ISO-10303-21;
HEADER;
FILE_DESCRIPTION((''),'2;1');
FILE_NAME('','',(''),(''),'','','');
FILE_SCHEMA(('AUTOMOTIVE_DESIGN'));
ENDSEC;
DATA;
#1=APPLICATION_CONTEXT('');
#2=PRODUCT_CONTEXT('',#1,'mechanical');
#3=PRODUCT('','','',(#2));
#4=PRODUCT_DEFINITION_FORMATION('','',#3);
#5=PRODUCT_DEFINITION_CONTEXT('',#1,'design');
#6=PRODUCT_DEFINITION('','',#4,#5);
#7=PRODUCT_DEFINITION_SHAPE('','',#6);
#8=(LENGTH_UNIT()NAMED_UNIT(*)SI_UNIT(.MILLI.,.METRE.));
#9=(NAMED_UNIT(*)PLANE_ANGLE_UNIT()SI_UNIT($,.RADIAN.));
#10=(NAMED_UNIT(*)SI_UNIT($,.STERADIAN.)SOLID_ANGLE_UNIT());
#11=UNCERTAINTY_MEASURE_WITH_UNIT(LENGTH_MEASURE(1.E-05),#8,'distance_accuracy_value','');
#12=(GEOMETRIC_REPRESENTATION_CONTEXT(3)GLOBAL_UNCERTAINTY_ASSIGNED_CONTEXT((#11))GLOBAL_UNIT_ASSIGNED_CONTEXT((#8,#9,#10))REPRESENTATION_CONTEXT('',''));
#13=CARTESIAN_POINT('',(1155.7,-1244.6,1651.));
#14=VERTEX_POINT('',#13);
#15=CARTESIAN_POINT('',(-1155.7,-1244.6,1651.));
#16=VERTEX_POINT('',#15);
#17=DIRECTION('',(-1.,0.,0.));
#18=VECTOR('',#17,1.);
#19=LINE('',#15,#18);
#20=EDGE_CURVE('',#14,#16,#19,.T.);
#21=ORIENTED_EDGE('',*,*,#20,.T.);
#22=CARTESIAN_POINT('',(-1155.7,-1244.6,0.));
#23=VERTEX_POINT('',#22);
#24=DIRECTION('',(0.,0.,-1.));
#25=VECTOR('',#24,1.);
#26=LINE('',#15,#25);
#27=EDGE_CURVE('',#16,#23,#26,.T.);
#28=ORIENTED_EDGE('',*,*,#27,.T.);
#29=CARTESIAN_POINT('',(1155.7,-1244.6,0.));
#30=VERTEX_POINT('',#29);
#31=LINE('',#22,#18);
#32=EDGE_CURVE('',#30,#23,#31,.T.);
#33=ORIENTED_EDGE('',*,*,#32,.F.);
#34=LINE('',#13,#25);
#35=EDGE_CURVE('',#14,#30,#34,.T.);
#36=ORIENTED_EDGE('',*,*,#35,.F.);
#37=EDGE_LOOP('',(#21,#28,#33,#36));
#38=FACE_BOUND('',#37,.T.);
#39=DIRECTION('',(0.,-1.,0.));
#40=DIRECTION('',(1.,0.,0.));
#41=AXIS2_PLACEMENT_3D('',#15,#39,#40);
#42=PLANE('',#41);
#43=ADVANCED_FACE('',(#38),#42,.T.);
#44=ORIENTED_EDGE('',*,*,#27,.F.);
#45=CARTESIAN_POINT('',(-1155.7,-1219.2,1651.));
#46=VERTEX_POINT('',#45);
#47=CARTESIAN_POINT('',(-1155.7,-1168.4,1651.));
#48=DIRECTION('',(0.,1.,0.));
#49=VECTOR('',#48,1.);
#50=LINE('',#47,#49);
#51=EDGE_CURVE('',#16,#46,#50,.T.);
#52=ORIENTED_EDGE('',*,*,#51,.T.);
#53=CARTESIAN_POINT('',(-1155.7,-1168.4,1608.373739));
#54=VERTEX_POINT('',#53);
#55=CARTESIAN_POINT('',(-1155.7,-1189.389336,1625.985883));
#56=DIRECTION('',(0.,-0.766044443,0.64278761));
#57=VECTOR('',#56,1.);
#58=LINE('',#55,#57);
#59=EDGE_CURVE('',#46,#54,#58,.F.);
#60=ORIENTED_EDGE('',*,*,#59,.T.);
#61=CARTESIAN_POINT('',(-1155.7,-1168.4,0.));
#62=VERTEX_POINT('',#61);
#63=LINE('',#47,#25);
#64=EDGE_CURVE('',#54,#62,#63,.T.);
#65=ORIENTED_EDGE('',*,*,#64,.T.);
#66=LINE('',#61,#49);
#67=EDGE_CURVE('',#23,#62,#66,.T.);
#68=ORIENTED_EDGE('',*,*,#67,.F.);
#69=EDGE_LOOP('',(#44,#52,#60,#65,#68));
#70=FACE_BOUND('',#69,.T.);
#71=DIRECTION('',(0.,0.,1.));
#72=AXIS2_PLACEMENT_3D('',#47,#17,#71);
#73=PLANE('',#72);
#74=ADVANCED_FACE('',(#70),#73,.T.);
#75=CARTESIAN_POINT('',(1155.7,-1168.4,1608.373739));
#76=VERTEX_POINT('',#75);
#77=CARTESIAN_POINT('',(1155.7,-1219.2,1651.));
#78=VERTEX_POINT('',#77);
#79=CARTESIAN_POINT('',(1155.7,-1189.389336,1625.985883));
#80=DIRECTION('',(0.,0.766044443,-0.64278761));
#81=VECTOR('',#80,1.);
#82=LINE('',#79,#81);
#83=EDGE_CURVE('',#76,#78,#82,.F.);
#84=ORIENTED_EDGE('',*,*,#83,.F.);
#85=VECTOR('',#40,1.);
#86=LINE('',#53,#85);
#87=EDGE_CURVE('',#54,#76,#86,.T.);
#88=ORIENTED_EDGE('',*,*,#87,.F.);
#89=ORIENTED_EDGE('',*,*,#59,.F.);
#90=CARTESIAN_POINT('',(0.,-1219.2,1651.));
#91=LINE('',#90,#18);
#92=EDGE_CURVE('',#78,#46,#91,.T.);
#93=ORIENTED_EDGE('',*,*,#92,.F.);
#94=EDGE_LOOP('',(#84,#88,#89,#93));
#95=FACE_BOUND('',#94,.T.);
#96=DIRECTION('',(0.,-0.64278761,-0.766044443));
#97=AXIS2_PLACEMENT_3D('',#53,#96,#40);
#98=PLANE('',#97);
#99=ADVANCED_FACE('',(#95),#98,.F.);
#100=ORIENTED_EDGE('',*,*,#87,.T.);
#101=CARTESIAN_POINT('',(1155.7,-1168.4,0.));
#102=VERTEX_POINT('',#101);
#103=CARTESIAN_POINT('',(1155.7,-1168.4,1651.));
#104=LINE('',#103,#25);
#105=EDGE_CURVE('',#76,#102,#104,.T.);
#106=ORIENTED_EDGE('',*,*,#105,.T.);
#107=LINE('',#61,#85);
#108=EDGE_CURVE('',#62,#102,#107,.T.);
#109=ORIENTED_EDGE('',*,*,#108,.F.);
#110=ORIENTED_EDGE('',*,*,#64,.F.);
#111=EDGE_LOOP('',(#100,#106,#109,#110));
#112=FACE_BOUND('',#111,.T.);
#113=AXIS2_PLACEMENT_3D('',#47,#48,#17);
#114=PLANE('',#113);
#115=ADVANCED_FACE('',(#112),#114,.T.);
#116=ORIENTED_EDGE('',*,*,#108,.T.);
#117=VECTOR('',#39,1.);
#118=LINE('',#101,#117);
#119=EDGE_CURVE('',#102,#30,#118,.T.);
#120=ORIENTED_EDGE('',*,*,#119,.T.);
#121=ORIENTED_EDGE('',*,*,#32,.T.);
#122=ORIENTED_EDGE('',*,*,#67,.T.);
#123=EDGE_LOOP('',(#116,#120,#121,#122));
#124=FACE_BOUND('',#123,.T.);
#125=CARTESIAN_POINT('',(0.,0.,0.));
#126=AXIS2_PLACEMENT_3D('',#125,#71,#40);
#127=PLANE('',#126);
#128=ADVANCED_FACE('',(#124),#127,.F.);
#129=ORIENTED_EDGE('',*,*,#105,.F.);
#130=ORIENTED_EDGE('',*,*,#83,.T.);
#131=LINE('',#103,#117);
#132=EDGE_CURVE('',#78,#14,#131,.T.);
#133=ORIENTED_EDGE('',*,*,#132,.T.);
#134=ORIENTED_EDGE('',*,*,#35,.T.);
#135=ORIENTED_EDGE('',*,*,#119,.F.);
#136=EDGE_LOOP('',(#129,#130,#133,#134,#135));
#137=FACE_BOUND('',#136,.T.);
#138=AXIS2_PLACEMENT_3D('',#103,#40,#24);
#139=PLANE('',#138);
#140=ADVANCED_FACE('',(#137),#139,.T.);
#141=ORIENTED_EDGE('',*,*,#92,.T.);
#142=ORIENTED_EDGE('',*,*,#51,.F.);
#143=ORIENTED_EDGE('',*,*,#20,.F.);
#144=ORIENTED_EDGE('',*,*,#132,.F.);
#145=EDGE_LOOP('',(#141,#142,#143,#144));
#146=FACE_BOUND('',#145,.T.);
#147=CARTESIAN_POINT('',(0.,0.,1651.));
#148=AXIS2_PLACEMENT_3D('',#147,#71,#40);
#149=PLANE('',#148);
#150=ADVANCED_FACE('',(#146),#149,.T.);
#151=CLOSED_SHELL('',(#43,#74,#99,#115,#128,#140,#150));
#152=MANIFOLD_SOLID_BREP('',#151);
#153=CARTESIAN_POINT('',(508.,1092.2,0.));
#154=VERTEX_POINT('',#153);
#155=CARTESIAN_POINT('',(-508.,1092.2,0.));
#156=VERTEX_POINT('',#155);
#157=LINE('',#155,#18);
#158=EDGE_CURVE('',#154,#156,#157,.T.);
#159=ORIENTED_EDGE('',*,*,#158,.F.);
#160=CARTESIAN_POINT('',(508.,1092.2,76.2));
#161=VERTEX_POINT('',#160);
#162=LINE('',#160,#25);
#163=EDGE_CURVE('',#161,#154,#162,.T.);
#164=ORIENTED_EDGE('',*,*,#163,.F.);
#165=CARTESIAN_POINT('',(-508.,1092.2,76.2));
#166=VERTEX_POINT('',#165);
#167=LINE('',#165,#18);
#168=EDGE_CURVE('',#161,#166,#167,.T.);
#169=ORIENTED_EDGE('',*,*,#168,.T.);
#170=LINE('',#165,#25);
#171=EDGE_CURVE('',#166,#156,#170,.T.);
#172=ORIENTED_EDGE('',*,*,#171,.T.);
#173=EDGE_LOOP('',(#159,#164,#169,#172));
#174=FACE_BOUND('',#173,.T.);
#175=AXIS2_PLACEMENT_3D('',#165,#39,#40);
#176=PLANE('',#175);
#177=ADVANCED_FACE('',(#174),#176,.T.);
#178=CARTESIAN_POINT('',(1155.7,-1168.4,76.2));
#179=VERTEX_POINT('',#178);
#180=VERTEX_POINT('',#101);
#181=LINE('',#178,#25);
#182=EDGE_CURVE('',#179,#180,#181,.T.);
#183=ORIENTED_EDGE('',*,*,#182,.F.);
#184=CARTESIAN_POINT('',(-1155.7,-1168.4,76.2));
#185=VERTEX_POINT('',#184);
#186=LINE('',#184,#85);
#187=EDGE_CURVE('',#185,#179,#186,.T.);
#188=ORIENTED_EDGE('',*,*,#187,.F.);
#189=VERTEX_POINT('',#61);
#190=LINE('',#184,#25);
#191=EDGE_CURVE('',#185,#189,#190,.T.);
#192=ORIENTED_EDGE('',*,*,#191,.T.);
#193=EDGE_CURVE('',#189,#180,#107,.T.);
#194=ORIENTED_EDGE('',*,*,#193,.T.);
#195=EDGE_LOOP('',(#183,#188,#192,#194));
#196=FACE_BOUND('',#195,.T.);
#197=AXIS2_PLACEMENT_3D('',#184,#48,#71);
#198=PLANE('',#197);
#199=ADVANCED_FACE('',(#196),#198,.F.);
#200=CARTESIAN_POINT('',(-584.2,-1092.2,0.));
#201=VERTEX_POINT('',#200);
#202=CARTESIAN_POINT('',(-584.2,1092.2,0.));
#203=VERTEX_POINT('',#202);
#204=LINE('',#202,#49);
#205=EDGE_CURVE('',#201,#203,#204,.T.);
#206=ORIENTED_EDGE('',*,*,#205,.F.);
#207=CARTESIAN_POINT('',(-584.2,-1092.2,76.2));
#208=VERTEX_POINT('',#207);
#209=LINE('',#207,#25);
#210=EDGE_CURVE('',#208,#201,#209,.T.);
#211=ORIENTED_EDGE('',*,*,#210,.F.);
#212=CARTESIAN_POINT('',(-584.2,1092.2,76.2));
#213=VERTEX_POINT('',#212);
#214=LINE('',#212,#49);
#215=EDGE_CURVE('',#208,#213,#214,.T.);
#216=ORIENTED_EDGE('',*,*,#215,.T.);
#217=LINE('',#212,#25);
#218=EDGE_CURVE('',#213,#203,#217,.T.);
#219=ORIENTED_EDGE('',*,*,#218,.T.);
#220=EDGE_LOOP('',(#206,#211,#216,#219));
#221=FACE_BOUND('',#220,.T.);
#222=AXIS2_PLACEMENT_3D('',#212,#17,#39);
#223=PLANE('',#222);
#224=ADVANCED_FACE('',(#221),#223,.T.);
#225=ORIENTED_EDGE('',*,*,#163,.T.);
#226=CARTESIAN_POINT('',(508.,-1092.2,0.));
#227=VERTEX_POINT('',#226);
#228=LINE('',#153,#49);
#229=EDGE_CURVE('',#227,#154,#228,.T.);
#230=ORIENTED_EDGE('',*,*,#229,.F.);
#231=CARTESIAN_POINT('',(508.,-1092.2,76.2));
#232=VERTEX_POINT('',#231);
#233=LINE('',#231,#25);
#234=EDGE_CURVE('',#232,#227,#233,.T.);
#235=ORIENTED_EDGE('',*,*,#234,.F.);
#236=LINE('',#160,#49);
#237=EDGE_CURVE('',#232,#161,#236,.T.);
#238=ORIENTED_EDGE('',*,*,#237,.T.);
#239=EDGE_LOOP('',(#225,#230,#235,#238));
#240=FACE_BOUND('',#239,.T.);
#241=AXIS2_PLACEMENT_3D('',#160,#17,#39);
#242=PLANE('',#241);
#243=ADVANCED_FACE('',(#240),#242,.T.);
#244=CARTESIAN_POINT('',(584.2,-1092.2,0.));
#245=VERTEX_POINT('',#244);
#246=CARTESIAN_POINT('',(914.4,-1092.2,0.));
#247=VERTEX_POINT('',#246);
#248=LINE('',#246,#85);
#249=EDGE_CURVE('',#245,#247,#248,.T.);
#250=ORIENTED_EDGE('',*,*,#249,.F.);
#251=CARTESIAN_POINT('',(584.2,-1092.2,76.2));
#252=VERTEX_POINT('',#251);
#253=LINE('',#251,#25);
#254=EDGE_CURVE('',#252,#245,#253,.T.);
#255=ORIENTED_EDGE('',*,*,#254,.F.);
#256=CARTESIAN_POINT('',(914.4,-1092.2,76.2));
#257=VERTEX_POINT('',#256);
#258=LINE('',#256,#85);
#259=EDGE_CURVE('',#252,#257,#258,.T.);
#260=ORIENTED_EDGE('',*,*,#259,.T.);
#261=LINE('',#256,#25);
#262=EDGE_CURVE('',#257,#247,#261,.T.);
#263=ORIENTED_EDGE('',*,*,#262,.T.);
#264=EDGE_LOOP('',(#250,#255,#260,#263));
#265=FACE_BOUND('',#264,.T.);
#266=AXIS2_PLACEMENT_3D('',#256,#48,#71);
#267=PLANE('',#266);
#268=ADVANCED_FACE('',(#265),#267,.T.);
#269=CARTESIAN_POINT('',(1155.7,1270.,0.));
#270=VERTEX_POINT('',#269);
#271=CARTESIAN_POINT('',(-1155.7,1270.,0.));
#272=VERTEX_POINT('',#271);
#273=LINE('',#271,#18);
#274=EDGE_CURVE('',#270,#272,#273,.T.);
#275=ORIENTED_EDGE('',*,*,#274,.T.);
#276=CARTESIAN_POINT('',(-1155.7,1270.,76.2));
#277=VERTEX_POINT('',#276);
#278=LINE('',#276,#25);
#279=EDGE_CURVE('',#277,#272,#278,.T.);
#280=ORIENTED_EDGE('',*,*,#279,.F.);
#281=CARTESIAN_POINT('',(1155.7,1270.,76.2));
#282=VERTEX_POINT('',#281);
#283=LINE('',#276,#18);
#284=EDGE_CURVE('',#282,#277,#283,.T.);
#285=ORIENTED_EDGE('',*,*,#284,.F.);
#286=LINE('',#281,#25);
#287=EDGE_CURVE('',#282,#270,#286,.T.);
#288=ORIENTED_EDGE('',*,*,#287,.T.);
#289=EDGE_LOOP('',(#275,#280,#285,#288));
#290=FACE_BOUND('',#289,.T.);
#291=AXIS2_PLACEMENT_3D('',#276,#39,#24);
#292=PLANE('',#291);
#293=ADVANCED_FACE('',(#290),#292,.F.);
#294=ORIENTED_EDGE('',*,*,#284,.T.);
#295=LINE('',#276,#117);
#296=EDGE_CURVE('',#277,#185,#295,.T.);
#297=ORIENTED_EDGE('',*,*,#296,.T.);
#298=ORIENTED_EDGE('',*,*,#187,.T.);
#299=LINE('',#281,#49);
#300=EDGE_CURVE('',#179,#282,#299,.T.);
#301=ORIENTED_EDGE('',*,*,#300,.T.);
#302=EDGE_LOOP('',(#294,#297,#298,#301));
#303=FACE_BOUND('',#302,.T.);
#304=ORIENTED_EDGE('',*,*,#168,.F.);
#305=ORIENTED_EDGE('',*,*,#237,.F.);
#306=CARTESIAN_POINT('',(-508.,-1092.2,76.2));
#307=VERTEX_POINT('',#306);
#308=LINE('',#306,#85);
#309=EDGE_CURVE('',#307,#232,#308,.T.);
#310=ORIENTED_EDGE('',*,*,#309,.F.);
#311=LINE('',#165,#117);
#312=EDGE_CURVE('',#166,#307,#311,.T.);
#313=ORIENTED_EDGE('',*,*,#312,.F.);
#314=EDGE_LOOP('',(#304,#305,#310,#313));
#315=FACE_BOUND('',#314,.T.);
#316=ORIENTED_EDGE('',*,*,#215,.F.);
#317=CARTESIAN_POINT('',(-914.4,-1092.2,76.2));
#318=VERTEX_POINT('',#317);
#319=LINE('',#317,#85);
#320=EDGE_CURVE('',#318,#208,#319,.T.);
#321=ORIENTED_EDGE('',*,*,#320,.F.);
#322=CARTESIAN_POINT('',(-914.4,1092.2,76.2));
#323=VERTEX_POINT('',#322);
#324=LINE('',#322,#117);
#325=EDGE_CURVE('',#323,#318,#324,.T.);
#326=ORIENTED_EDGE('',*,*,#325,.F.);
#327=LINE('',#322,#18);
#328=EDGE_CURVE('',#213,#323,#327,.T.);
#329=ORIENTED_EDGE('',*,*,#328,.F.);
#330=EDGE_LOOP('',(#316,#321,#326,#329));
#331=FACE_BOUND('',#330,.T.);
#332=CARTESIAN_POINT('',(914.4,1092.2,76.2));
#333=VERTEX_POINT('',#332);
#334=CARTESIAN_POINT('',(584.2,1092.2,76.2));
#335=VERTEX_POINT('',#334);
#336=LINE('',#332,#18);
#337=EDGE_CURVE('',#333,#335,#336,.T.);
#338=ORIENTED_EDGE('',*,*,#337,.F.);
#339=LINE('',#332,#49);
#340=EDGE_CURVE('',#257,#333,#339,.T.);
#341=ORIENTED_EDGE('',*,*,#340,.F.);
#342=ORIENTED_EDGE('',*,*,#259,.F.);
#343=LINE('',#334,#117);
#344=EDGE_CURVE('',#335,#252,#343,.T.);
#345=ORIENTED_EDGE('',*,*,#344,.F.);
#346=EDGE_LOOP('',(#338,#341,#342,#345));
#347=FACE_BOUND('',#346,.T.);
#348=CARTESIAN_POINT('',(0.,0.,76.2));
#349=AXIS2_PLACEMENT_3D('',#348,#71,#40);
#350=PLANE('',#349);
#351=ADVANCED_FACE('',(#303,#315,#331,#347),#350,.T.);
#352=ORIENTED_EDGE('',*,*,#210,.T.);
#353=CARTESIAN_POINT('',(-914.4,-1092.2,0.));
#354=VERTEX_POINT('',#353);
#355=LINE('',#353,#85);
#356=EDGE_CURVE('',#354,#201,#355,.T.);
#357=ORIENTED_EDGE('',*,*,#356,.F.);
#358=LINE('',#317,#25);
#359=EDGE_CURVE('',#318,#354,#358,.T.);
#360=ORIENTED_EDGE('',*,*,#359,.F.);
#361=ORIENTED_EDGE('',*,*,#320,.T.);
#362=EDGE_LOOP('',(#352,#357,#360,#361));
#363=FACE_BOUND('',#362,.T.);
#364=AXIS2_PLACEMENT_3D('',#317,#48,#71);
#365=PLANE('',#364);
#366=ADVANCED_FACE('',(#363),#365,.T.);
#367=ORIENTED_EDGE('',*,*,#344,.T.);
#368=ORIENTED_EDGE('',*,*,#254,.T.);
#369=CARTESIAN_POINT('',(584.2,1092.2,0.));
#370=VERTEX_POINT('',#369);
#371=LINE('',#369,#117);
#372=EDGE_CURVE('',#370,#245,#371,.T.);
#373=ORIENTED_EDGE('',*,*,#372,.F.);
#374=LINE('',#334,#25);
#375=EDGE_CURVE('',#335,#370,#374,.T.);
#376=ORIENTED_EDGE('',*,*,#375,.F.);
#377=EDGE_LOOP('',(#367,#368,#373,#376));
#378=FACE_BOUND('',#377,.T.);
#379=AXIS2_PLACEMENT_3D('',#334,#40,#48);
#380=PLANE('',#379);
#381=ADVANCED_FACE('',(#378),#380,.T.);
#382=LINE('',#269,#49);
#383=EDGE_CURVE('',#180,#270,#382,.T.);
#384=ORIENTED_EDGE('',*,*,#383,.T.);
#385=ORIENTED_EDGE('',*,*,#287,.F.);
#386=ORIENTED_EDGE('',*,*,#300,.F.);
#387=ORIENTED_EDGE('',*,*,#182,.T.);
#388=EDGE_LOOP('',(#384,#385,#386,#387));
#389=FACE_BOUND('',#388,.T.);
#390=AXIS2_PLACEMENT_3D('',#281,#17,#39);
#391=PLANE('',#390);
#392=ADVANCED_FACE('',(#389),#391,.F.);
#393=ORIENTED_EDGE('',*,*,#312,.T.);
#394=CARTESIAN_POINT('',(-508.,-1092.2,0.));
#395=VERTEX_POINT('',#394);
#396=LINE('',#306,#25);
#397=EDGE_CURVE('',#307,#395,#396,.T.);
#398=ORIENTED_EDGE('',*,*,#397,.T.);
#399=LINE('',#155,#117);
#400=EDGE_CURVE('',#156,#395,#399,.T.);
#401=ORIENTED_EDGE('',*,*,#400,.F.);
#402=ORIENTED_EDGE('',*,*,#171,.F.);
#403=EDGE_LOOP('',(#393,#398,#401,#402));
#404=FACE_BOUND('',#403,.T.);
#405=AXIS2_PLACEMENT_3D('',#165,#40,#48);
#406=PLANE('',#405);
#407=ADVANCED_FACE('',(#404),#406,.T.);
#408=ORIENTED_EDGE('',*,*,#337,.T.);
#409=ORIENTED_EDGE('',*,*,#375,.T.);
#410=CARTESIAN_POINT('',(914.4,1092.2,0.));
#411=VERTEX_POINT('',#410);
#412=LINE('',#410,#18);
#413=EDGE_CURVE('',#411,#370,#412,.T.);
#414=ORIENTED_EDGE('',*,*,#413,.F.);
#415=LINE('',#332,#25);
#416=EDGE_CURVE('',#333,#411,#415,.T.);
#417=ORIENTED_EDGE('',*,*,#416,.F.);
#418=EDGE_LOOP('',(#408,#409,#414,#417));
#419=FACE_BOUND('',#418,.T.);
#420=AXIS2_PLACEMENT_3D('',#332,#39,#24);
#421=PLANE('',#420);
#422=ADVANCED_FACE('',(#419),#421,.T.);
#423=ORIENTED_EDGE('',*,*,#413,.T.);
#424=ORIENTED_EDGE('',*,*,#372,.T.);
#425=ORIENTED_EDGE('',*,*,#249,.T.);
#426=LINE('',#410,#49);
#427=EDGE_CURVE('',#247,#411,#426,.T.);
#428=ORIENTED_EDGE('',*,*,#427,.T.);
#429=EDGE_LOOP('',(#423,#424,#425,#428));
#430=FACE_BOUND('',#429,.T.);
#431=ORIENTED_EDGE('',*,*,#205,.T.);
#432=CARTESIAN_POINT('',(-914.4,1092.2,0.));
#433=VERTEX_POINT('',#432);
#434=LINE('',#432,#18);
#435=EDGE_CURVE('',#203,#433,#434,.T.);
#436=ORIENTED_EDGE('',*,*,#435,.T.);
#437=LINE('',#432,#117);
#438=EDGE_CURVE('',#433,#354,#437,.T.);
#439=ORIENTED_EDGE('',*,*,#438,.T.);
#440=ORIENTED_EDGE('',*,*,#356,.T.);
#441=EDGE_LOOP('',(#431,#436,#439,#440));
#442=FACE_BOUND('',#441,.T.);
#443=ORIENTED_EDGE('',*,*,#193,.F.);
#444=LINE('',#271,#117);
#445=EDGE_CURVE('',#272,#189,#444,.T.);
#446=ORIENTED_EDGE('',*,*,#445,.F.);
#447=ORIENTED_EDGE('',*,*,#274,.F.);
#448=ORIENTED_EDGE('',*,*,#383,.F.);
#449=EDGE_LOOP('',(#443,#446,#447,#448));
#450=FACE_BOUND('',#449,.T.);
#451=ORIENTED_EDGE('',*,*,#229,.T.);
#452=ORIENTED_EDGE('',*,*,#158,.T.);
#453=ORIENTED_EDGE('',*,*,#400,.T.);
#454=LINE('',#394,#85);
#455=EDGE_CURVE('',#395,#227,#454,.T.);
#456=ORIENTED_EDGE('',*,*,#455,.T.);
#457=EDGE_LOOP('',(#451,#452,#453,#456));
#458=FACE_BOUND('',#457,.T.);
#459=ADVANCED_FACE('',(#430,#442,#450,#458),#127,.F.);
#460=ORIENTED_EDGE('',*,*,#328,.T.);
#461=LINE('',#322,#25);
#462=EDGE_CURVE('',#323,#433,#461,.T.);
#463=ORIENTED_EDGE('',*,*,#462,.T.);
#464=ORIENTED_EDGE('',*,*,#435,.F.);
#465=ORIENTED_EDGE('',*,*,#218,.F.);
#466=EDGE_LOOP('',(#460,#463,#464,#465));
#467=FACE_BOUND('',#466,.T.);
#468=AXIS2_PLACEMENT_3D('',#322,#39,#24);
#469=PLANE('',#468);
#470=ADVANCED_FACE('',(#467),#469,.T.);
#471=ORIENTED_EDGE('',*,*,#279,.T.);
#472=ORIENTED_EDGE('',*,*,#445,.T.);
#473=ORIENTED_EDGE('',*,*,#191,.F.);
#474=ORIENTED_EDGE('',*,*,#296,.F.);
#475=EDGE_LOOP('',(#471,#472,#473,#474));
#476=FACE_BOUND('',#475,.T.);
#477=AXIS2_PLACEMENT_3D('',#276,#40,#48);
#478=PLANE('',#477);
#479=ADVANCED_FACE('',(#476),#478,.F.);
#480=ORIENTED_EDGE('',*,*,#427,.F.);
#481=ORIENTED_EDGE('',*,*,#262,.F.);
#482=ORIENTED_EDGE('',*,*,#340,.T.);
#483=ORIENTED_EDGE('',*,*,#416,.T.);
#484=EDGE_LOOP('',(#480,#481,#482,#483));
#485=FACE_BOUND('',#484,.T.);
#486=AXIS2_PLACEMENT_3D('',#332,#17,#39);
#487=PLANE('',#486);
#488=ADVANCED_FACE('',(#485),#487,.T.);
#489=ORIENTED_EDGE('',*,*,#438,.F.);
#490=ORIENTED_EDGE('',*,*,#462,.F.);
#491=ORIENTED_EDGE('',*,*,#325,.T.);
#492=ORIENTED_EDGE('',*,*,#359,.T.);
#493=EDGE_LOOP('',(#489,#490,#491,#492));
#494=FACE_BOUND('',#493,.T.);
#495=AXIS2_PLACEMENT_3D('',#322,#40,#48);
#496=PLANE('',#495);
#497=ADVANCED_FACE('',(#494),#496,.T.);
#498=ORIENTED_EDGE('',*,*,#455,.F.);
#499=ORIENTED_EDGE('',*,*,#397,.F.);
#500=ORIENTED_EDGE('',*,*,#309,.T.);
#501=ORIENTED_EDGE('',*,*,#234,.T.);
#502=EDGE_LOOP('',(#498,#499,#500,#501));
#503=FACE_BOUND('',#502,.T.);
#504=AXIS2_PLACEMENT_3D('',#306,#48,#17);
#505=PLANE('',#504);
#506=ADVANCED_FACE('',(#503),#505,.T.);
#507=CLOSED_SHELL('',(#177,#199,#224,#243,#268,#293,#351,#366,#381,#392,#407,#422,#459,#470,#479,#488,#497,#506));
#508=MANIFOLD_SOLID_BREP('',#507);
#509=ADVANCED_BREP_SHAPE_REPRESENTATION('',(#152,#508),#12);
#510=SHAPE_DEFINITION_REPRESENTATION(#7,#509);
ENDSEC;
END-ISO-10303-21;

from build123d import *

# Parameters (mm, degrees)
SKETCH1_W           = 2311.4
SKETCH1_H           = 2438.4
SKETCH1_W_2         = 1016
SKETCH1_H_2         = 2184.4
SKETCH1_W_3         = 330.2
BOSS_EXTRUDE1_DEPTH = 76.2
SKETCH2_W           = 2311.4
SKETCH2_H           = 76.2
BOSS_EXTRUDE2_DEPTH = 1651
CHAMFER1_SIZE       = 50.8
CHAMFER1_SIZE2      = 42.626261264


with BuildPart() as part:
    # Sketch1 → Boss-Extrude1 (new body)
    with BuildSketch(Plane.XY):
        with Locations((0, 50.8)):
            Rectangle(SKETCH1_W, SKETCH1_H)
        Rectangle(SKETCH1_W_2, SKETCH1_H_2, mode=Mode.SUBTRACT)
        with Locations((-749.3, 0)):
            Rectangle(SKETCH1_W_3, SKETCH1_H_2, mode=Mode.SUBTRACT)
        with Locations((749.3, 0)):
            Rectangle(SKETCH1_W_3, SKETCH1_H_2, mode=Mode.SUBTRACT)
    extrude(amount=BOSS_EXTRUDE1_DEPTH)


with BuildPart() as body_2:
    # Sketch2 → Boss-Extrude2 (new body)
    with BuildSketch(Plane(origin=(0, 0, 0), x_dir=(-1, 0, 0), z_dir=(0, 0, -1))):
        with Locations((0, -1206.5)):
            Rectangle(SKETCH2_W, SKETCH2_H)
    extrude(amount=-BOSS_EXTRUDE2_DEPTH)

    # Chamfer1
    chamfer1_edges = [body_2.edges().sort_by_distance(p)[0] for p in [
        (0, -1168.4, 1651),
    ]]
    chamfer1_side = [body_2.faces().sort_by_distance(p)[0] for p in [
        (0, -1206.5, 1651),
    ]]
    chamfer(chamfer1_edges, length=CHAMFER1_SIZE, length2=CHAMFER1_SIZE2, reference=chamfer1_side[0])


solid = Compound([part.part, body_2.part])
